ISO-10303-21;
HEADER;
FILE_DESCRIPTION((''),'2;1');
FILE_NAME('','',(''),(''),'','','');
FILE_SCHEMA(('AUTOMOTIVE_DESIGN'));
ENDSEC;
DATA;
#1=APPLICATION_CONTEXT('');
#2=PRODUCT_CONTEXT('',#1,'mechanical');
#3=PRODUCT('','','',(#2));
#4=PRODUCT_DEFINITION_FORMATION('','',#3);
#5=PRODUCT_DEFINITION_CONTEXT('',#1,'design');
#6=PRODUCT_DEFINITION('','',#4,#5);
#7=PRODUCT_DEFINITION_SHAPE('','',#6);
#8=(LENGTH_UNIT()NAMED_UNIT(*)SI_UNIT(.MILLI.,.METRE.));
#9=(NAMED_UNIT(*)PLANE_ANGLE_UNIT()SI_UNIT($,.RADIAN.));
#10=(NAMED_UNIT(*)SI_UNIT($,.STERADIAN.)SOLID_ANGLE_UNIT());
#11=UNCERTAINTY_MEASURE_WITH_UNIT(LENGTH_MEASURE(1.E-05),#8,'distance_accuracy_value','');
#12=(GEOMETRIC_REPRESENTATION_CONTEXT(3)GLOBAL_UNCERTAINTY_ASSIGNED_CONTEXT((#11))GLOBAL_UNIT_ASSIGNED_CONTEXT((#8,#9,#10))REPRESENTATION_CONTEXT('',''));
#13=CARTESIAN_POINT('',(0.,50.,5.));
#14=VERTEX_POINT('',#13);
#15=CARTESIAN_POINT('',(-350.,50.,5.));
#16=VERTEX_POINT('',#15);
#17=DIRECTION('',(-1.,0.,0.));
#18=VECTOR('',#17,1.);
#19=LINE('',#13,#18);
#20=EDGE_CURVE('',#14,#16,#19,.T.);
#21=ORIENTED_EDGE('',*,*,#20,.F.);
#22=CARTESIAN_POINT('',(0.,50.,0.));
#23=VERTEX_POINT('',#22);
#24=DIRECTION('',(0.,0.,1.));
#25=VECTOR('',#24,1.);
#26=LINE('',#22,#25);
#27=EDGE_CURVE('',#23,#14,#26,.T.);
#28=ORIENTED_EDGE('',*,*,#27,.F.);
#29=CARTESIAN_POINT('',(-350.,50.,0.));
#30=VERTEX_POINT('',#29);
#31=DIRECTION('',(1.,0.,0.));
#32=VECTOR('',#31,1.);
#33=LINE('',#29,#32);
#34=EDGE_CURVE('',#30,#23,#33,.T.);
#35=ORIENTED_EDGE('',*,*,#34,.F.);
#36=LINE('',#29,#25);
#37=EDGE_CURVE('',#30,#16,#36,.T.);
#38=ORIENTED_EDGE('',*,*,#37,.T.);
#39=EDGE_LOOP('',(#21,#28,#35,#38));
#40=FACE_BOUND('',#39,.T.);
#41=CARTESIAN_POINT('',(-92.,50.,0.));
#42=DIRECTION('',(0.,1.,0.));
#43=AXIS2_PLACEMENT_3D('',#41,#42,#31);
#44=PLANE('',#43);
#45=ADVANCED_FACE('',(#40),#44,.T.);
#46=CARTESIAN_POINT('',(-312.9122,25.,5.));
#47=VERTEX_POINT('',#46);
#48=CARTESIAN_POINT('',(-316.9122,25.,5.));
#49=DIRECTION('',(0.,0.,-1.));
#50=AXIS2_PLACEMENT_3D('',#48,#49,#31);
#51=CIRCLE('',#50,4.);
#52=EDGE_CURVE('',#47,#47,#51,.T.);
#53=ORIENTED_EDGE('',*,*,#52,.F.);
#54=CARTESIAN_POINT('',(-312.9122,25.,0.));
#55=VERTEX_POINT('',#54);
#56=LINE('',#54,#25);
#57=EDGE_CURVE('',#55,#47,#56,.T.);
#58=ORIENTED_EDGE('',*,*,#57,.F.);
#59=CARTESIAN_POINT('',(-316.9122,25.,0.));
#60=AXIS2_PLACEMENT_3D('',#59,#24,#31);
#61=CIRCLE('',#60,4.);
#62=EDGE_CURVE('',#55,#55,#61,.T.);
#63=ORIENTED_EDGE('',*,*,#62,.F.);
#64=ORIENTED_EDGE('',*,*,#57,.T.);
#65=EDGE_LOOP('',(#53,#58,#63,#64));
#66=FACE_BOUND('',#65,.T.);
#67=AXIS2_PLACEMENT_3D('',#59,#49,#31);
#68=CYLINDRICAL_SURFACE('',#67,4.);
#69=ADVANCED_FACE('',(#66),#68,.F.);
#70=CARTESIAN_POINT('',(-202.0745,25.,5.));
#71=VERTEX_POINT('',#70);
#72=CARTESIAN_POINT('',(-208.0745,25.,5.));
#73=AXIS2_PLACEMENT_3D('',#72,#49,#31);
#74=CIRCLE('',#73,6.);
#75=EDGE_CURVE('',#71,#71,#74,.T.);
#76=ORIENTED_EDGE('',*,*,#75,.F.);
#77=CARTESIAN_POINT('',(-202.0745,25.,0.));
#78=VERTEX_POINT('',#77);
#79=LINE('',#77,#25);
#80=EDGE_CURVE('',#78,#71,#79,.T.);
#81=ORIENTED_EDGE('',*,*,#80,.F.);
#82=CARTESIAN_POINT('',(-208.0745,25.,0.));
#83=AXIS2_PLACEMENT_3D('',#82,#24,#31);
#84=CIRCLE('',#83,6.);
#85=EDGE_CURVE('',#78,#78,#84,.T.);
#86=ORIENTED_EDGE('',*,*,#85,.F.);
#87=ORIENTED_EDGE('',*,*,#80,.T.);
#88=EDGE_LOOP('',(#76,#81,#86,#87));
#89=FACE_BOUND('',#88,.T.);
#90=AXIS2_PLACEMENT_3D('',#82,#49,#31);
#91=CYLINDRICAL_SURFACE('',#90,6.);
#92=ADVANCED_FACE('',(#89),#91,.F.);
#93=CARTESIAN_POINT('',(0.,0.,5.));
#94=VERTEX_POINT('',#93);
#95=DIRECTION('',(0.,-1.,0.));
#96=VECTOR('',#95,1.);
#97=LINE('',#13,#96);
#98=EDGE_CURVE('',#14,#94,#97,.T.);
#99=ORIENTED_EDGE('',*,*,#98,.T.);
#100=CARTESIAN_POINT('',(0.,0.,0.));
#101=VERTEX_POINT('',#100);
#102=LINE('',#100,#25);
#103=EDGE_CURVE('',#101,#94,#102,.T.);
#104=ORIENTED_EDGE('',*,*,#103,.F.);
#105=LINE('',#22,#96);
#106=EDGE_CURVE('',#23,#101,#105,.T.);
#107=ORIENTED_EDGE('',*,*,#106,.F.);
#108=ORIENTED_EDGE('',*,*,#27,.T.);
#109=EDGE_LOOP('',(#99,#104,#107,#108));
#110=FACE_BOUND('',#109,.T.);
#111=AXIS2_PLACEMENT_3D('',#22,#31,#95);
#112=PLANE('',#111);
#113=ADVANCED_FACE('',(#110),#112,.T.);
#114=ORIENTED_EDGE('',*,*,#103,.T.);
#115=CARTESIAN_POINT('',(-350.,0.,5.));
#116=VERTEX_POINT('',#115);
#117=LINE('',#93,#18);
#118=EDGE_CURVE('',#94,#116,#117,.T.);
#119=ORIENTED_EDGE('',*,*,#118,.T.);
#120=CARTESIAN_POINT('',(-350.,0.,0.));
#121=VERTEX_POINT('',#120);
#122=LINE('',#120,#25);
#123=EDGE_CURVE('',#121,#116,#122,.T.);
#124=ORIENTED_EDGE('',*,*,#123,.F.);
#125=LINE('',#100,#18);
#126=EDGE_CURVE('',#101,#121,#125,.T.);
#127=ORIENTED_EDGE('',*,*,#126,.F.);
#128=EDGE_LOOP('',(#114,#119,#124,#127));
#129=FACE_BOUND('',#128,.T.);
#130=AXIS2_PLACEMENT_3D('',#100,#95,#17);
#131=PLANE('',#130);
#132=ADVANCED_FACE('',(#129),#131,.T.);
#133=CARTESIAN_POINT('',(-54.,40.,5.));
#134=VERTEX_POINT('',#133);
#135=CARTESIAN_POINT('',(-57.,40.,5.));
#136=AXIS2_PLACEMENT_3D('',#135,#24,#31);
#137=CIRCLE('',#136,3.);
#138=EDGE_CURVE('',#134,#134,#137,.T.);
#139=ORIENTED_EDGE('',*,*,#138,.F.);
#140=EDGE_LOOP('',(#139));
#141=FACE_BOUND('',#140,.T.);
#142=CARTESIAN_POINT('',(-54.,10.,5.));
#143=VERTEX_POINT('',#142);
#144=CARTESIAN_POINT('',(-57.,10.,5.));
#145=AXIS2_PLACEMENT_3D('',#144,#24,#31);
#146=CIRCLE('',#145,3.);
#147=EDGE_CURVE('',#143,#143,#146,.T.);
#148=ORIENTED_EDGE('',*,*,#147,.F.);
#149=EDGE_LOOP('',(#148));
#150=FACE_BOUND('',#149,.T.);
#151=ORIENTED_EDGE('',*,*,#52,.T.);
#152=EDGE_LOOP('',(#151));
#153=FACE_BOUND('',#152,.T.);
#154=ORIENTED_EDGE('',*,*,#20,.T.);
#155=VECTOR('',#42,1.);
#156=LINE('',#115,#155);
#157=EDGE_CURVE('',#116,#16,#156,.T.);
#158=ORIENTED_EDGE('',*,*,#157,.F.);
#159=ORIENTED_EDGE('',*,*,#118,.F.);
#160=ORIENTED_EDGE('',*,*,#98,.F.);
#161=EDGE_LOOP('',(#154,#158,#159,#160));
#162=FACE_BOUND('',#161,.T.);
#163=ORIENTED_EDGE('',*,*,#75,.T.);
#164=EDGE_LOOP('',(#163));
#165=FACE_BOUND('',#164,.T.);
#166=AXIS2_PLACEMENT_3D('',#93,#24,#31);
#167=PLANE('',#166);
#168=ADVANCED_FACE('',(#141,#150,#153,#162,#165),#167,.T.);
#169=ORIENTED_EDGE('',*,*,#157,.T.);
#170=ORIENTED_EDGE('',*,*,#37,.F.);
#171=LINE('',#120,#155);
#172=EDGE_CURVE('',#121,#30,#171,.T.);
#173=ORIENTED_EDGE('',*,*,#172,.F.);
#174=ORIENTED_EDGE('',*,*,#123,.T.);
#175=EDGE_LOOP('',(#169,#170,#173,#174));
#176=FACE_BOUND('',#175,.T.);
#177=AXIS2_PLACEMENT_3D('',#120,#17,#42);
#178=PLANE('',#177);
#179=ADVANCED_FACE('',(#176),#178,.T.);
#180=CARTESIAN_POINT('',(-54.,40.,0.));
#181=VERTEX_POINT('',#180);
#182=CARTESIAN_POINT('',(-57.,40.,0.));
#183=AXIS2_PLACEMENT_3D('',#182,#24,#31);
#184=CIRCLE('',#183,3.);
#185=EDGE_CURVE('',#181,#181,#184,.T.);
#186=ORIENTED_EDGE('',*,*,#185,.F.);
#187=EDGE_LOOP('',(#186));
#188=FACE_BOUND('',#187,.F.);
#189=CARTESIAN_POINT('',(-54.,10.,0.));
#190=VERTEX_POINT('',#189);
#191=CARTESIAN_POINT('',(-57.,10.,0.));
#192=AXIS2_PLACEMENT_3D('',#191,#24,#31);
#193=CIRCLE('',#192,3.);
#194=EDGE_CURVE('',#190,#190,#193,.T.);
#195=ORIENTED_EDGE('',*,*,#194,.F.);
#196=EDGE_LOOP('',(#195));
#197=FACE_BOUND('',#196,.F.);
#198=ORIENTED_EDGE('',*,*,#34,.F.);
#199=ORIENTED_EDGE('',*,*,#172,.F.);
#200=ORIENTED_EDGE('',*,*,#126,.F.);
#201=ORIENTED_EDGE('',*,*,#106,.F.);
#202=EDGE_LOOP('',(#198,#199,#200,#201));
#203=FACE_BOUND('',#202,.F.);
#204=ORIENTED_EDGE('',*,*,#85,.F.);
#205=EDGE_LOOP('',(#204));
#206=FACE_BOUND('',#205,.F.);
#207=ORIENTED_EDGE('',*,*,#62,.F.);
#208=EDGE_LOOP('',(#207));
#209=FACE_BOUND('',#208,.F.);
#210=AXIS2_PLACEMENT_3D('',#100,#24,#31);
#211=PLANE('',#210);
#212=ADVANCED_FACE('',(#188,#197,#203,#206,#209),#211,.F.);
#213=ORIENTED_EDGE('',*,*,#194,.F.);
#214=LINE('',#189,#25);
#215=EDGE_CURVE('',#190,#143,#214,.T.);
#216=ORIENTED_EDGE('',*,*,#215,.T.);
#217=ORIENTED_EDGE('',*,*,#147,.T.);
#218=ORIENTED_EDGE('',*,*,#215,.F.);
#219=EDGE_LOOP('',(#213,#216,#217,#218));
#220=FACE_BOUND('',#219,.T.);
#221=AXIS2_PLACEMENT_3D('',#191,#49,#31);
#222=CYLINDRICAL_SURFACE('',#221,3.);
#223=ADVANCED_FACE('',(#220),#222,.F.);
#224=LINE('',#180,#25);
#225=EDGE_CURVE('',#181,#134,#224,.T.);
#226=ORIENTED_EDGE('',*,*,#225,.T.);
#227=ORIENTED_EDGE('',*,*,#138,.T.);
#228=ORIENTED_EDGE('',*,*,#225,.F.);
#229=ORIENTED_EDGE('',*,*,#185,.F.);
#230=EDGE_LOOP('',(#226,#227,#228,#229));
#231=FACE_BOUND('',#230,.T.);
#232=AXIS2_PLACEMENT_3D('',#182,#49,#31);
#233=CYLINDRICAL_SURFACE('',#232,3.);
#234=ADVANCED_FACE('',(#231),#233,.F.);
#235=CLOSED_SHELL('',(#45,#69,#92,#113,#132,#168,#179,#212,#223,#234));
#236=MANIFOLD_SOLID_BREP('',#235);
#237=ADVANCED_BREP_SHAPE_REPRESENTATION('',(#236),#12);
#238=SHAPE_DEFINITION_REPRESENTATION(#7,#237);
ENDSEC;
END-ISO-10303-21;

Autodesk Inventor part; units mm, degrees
ref_plane "YZ Plane" through (0, 0, 0) normal (1, 0, 0) x (0, 1, 0)
ref_plane "XZ Plane" through (0, 0, 0) normal (0, 1, 0) x (-1, 0, 0)
ref_plane "XY Plane" through (0, 0, 0) normal (0, 0, 1) x (1, 0, 0)
sketch "Sketch1" plane through (0, 0, 0) normal (0, 0, 1) x (1, 0, 0)
  line L0 (0, 0) -> (-350, 0)
  line L1 (-350, 0) -> (-350, 50)
  line L2 (-350, 50) -> (0, 50)
  line L3 (0, 50) -> (0, 0)
  circle A0 centre (-57, 40) radius 3
  circle A1 centre (-57, 10) radius 3
  line L4 (-92, 50) -> (-92, 18.4785)
  circle A2 centre (-208.0745, 25) radius 6
  circle A3 centre (-316.9122, 25) radius 4
  dimension "d0" = 350
  dimension "d1" = 50
  dimension "d2" = 6
  dimension "d3" = 6
  dimension "d4" = 10
  dimension "d5" = 10
  dimension "d6" = 57
  dimension "d7" = 92
  dimension "d8" = 35
  dimension "d11" = 12
  dimension "d12" = 8
extrude "Extrusion1" add sketch "Sketch1" along normal blind 5 contours L0 L1 L2 L3 | A2 | A3
extrude "Extrusion2" cut sketch "Sketch1" along normal through all contours A2 | A3
properties part number "OldalsoSzuport"
